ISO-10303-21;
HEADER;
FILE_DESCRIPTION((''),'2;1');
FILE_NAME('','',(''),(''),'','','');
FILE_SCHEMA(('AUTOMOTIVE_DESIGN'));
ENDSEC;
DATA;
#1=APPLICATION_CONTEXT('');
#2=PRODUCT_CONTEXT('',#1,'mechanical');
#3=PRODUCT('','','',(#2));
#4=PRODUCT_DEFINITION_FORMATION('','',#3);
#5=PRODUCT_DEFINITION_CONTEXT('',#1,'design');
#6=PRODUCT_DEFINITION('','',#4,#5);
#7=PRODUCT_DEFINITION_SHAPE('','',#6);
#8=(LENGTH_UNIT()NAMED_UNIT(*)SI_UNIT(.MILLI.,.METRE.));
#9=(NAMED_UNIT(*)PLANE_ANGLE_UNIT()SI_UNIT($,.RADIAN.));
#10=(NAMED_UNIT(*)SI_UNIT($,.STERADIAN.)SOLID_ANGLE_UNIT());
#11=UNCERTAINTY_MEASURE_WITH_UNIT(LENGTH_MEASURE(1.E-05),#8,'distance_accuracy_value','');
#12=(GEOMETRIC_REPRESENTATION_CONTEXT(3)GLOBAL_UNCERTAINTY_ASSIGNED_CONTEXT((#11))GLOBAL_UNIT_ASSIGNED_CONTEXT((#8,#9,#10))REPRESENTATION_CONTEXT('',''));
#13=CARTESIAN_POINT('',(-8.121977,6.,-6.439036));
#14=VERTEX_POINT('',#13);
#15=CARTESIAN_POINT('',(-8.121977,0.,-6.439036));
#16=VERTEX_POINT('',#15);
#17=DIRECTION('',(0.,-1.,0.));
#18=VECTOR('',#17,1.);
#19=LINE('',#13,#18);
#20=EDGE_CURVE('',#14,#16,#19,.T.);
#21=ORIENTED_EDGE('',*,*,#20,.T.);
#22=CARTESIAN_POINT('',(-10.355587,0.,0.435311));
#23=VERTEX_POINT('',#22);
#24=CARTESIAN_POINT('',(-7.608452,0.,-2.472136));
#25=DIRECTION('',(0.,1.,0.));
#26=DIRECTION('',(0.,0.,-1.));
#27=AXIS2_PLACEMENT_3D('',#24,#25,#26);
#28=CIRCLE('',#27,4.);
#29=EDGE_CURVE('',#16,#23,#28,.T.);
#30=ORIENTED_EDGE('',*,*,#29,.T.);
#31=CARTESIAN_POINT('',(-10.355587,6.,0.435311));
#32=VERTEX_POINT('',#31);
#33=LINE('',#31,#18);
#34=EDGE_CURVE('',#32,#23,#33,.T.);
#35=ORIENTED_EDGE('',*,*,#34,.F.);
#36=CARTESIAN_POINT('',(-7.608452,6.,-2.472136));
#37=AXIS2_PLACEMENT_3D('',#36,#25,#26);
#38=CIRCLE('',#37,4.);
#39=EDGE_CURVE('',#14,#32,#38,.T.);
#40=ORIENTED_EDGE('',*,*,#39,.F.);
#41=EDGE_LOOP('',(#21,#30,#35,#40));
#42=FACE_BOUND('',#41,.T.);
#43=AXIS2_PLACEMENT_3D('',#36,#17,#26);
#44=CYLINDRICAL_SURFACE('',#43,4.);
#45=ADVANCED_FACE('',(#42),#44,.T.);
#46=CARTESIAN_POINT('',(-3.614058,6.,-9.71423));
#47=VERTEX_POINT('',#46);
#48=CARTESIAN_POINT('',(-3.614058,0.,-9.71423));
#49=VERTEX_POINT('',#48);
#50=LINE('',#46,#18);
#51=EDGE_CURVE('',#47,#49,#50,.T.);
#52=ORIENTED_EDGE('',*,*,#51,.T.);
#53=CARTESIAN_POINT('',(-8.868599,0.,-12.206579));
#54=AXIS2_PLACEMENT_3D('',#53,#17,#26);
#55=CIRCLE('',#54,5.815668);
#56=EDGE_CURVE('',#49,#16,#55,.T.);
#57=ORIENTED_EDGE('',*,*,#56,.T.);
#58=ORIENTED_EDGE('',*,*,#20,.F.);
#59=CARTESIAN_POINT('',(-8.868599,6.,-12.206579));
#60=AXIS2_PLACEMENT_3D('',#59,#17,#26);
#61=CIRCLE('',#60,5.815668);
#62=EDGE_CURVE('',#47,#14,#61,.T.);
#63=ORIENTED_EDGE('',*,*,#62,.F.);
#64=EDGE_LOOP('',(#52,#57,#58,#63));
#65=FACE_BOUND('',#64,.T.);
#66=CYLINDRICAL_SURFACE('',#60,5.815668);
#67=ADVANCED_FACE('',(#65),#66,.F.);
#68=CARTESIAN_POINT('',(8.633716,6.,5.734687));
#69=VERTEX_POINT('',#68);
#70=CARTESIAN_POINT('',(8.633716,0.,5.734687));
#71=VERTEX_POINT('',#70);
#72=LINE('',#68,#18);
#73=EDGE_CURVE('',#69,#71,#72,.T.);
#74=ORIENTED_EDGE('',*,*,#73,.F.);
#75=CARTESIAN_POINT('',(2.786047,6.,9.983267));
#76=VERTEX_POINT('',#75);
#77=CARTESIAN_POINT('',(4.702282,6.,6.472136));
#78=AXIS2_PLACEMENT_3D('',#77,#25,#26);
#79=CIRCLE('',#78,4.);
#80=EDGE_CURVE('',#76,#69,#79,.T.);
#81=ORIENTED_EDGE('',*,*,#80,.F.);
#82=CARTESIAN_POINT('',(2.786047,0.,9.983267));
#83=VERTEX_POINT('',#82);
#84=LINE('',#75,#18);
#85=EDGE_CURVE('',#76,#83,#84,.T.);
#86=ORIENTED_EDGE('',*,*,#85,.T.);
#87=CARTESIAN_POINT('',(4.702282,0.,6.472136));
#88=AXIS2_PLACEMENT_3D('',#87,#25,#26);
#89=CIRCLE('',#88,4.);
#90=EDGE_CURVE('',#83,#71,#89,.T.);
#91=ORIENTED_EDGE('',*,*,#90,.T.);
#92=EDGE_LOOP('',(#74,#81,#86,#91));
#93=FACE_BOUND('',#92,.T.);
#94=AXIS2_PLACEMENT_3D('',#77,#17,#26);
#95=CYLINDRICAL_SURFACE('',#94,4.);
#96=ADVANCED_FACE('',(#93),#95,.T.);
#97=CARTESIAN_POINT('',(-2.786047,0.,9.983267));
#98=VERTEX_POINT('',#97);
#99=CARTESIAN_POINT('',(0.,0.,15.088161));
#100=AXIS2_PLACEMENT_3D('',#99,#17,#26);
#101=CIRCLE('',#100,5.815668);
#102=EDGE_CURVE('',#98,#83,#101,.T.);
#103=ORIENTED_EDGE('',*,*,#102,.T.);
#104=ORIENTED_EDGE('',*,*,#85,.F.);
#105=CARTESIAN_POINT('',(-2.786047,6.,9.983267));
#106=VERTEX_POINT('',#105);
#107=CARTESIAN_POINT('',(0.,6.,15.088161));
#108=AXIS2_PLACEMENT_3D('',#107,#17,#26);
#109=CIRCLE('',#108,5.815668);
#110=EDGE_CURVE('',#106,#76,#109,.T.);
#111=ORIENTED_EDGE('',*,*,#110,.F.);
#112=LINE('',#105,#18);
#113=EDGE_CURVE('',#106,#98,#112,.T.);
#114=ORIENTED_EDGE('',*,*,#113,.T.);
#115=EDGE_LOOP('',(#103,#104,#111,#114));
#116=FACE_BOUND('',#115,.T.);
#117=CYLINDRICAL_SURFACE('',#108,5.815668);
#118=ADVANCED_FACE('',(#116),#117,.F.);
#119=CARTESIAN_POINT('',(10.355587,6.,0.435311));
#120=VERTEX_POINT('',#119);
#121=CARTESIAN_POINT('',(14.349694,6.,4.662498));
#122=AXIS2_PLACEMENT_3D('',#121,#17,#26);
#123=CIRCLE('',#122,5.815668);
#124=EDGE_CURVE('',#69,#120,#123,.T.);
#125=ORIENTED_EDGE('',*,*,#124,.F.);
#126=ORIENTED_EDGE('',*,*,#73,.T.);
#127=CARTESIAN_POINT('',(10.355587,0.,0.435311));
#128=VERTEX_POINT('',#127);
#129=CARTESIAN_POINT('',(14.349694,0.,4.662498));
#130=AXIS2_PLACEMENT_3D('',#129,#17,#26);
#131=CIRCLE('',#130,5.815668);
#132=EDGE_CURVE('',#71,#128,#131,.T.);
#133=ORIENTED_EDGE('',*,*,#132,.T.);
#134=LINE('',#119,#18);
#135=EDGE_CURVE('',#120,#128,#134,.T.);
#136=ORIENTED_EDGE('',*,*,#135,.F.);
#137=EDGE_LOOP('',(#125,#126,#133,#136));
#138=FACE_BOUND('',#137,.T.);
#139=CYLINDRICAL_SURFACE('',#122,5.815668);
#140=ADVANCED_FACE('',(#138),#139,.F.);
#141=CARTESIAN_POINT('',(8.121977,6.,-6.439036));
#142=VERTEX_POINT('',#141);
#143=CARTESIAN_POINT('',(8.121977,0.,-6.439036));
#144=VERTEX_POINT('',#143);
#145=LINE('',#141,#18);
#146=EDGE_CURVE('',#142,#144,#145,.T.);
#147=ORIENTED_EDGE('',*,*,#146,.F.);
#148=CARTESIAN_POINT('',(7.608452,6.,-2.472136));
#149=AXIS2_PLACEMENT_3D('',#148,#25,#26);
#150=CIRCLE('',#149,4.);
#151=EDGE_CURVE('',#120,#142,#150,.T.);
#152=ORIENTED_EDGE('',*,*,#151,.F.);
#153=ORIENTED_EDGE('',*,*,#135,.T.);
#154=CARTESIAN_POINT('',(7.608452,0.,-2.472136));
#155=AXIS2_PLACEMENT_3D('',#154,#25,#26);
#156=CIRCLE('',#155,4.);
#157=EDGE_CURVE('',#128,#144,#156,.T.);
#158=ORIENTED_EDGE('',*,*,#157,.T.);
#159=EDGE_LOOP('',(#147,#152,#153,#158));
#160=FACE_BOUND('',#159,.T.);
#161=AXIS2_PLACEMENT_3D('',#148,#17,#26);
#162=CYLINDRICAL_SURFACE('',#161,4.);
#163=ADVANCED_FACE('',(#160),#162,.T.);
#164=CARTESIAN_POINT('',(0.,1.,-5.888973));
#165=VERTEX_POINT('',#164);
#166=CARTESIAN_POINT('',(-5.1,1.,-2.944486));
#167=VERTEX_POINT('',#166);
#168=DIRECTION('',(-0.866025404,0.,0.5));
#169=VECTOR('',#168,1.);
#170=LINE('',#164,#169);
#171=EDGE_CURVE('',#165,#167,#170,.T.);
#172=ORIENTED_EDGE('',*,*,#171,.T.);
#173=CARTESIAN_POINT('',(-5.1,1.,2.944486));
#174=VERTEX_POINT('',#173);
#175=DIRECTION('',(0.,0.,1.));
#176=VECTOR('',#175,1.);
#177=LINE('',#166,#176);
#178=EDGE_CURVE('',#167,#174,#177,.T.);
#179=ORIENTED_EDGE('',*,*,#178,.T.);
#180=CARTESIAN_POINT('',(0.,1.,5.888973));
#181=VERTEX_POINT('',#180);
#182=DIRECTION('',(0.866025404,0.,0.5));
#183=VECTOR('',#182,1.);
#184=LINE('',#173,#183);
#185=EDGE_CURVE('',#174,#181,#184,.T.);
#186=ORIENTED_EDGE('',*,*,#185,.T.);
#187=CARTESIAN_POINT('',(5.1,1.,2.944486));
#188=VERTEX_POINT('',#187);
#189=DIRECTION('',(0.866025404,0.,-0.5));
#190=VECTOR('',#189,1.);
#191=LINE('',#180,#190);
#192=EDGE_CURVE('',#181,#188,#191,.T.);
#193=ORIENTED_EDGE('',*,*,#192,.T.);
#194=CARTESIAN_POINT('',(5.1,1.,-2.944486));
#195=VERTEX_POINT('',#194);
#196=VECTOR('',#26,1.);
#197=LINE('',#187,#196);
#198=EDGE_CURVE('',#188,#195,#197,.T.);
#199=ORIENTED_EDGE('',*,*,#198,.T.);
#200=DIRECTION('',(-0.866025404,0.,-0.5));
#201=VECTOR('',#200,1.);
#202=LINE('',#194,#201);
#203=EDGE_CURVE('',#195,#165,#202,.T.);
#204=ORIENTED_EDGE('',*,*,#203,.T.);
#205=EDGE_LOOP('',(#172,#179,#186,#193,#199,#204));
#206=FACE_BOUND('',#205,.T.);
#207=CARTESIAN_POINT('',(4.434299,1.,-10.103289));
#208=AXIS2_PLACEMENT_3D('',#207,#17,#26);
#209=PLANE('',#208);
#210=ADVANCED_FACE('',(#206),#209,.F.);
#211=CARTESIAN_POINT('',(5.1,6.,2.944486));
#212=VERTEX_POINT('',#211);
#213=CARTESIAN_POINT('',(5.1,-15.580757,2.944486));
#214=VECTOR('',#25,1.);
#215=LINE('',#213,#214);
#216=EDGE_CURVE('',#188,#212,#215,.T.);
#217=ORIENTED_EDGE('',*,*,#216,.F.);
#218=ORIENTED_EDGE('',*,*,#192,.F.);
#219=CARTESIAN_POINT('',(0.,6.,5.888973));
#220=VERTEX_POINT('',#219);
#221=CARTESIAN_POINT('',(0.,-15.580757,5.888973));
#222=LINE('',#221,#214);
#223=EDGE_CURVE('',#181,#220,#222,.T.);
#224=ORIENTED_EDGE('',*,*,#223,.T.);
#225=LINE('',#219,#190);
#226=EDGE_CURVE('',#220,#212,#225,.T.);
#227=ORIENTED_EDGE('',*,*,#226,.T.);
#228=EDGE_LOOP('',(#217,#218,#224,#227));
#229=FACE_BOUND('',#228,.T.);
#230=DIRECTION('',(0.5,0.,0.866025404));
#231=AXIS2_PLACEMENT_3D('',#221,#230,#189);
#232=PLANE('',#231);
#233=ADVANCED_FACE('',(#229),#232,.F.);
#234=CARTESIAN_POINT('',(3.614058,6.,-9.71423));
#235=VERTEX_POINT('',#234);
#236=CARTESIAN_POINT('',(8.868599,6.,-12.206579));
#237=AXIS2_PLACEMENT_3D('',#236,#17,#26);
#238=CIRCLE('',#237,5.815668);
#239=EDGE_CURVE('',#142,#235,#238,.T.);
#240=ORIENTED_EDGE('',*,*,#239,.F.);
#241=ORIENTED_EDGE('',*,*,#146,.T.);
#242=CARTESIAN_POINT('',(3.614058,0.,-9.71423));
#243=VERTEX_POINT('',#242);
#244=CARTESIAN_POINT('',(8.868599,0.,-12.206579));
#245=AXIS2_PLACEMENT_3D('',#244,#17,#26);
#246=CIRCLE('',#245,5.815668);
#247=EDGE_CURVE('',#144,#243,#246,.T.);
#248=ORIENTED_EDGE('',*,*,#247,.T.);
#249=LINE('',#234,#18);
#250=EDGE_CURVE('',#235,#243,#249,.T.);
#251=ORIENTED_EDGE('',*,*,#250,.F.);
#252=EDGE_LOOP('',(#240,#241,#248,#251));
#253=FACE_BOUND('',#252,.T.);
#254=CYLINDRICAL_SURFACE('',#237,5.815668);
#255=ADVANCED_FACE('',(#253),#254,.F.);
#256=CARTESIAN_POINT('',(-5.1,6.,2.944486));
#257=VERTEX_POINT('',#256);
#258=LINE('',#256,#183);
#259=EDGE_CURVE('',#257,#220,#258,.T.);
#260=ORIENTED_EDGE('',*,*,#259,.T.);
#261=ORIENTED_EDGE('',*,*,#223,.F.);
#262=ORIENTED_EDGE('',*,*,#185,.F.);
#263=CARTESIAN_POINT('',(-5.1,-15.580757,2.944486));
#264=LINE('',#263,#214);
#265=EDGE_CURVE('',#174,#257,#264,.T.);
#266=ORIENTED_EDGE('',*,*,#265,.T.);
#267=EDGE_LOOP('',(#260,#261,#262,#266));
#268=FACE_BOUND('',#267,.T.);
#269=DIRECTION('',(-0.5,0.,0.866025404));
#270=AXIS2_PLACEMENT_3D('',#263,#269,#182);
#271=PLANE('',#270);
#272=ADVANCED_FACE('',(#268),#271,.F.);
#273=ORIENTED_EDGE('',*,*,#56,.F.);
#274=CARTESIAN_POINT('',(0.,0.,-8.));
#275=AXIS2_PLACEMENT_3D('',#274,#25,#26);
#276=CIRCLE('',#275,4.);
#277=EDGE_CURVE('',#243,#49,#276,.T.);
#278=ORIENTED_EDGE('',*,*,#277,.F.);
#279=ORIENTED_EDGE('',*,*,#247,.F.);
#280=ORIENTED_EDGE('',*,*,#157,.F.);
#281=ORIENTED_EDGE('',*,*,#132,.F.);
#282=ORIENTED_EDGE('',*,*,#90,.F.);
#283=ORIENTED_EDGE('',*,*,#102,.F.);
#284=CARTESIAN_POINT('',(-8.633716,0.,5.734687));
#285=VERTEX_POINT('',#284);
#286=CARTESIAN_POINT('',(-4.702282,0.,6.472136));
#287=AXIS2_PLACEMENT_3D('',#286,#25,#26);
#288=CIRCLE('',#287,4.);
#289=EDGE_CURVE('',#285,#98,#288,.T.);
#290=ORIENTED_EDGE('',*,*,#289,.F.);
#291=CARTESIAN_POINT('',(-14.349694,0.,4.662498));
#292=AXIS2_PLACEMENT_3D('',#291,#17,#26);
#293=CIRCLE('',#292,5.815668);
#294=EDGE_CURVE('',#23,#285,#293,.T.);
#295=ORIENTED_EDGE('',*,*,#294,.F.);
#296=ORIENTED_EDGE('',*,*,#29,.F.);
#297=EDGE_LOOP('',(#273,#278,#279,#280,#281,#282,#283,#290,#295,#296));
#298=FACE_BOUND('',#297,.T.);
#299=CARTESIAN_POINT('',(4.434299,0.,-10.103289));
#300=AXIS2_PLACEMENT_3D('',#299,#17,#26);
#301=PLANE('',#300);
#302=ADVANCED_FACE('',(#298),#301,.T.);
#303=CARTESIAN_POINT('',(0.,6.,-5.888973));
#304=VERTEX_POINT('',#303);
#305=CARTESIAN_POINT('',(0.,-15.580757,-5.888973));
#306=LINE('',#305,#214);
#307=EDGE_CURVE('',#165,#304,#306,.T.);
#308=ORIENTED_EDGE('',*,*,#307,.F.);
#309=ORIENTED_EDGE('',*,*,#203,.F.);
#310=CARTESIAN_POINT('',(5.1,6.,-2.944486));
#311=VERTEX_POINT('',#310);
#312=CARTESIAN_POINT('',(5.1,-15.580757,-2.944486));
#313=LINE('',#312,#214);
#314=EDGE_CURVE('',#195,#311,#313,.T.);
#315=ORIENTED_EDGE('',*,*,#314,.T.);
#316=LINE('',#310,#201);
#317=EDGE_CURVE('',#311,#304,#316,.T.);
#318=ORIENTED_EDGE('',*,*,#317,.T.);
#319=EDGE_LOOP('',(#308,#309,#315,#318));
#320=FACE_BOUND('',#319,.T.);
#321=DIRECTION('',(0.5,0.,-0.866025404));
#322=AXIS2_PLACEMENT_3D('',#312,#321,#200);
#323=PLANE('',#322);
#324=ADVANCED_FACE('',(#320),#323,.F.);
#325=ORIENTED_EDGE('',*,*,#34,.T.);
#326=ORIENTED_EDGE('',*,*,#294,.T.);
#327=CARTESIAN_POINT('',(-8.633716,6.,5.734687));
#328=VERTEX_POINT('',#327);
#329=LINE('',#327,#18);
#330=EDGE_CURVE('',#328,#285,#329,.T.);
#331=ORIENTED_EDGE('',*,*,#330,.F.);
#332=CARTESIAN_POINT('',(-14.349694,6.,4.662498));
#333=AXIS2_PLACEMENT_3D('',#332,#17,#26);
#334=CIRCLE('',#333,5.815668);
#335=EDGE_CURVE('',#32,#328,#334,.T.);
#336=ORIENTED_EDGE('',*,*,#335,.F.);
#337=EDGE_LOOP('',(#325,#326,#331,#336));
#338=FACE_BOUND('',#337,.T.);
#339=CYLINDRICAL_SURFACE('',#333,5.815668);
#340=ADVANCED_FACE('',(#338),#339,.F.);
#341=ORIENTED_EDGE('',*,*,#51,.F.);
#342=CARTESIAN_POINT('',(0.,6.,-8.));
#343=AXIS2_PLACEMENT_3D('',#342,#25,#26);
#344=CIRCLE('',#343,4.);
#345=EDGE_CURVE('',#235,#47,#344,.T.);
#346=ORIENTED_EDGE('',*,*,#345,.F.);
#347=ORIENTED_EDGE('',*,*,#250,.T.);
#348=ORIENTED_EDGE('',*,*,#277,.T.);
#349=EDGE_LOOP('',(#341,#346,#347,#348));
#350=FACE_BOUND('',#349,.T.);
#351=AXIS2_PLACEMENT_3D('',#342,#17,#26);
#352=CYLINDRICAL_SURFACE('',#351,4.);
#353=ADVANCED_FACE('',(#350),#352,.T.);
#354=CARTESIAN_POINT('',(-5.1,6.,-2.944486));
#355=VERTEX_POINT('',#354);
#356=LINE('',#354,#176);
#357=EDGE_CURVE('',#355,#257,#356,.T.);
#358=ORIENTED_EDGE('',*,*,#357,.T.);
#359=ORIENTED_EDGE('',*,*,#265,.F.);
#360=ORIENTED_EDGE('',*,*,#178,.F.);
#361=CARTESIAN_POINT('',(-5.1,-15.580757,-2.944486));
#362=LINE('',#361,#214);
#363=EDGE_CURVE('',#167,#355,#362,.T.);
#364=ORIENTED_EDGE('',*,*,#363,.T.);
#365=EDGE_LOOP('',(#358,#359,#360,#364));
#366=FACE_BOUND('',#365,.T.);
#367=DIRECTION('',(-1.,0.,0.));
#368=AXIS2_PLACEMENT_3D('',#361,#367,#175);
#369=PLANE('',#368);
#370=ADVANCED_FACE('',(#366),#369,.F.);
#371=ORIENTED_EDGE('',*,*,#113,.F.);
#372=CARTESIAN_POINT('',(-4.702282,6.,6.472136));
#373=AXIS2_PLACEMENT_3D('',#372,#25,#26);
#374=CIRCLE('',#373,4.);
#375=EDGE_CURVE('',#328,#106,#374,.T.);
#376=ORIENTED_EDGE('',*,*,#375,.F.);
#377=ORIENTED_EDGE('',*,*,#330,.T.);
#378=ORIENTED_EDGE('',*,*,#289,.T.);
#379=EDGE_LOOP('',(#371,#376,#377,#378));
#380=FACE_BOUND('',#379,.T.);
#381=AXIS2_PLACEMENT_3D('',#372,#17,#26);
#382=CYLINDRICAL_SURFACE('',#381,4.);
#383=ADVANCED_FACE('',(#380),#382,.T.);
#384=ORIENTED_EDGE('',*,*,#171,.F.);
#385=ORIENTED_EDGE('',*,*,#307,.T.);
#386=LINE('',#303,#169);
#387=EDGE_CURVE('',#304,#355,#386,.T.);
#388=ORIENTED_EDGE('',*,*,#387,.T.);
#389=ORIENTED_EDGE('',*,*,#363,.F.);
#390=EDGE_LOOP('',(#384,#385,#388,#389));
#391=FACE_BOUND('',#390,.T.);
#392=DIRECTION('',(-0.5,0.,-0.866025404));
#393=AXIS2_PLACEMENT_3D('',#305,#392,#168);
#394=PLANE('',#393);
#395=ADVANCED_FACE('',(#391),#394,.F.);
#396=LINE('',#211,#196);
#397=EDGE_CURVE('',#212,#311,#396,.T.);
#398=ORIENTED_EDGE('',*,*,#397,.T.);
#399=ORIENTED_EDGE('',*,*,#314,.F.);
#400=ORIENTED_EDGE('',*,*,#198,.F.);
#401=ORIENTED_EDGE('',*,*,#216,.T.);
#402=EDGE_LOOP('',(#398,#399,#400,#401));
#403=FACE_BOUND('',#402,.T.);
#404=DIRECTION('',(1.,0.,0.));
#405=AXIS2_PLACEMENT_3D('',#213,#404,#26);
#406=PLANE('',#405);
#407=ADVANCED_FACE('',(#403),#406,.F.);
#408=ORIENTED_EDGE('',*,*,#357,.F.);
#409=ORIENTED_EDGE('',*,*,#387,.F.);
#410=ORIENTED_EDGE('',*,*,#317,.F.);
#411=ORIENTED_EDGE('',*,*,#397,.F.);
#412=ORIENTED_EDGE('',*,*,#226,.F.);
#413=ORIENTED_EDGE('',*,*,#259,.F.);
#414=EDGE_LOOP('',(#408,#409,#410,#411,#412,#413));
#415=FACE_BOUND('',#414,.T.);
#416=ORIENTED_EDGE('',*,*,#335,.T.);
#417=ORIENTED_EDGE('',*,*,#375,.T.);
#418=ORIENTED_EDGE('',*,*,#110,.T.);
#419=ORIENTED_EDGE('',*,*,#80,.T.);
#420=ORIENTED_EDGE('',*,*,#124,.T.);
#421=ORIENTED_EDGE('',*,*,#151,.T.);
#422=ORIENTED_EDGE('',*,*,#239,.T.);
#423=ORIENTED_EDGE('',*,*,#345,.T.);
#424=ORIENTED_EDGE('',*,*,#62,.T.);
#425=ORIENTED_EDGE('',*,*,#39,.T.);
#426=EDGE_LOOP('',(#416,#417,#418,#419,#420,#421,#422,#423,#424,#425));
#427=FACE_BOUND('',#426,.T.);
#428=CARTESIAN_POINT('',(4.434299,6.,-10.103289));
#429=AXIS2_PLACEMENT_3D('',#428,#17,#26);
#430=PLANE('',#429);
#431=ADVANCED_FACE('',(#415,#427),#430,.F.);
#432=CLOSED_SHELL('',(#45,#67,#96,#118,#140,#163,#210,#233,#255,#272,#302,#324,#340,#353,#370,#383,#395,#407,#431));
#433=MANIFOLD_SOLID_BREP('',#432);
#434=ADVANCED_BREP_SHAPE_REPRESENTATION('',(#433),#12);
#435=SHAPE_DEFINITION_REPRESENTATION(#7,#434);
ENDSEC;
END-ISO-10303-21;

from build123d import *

# Parameters (mm, degrees)
BOSS_EXTRUDE1_DEPTH = 6
CUT_EXTRUDE1_DEPTH  = 5


with BuildPart() as part:
    # Sketch1 → Boss-Extrude1 (new body)
    with BuildSketch(Plane(origin=(0, 0, 0), x_dir=(1, 0, 0), z_dir=(0, 1, 0))):
        with BuildLine():
            ThreePointArc((-3.614057951, 9.714230186), (0, 12), (3.614057951, 9.714230186))
            ThreePointArc((3.614057951, 9.714230186), (5.450234482, 7.501604203), (8.121976593, 6.439035579))
            ThreePointArc((8.121976593, 6.439035579), (11.412678196, 3.708203932), (10.355587244, -0.43531115))
            ThreePointArc((10.355587244, -0.43531115), (8.818664639, -2.865357836), (8.633715541, -5.734687343))
            ThreePointArc((8.633715541, -5.734687343), (7.053423028, -9.708203932), (2.78604694, -9.983267272))
            ThreePointArc((2.78604694, -9.983267272), (0, -9.272492736), (-2.78604694, -9.983267272))
            ThreePointArc((-2.78604694, -9.983267272), (-7.053423028, -9.708203932), (-8.633715541, -5.734687343))
            ThreePointArc((-8.633715541, -5.734687343), (-8.818664639, -2.865357836), (-10.355587244, -0.43531115))
            ThreePointArc((-10.355587244, -0.43531115), (-11.412678196, 3.708203932), (-8.121976593, 6.439035579))
            ThreePointArc((-8.121976593, 6.439035579), (-5.450234482, 7.501604203), (-3.614057951, 9.714230186))
        make_face()
    extrude(amount=BOSS_EXTRUDE1_DEPTH)

    # Sketch2 → Cut-Extrude1 (cut)
    with BuildSketch(Plane(origin=(0, 6, 0), x_dir=(1, 0, 0), z_dir=(0, 1, 0))):
        Polygon((-5.1, 2.944486373), (-5.1, -2.944486373), (0, -5.888972746), (5.1, -2.944486373), (5.1, 2.944486373), (0, 5.888972746), align=None)
    extrude(amount=-CUT_EXTRUDE1_DEPTH, mode=Mode.SUBTRACT)


solid = part.part
